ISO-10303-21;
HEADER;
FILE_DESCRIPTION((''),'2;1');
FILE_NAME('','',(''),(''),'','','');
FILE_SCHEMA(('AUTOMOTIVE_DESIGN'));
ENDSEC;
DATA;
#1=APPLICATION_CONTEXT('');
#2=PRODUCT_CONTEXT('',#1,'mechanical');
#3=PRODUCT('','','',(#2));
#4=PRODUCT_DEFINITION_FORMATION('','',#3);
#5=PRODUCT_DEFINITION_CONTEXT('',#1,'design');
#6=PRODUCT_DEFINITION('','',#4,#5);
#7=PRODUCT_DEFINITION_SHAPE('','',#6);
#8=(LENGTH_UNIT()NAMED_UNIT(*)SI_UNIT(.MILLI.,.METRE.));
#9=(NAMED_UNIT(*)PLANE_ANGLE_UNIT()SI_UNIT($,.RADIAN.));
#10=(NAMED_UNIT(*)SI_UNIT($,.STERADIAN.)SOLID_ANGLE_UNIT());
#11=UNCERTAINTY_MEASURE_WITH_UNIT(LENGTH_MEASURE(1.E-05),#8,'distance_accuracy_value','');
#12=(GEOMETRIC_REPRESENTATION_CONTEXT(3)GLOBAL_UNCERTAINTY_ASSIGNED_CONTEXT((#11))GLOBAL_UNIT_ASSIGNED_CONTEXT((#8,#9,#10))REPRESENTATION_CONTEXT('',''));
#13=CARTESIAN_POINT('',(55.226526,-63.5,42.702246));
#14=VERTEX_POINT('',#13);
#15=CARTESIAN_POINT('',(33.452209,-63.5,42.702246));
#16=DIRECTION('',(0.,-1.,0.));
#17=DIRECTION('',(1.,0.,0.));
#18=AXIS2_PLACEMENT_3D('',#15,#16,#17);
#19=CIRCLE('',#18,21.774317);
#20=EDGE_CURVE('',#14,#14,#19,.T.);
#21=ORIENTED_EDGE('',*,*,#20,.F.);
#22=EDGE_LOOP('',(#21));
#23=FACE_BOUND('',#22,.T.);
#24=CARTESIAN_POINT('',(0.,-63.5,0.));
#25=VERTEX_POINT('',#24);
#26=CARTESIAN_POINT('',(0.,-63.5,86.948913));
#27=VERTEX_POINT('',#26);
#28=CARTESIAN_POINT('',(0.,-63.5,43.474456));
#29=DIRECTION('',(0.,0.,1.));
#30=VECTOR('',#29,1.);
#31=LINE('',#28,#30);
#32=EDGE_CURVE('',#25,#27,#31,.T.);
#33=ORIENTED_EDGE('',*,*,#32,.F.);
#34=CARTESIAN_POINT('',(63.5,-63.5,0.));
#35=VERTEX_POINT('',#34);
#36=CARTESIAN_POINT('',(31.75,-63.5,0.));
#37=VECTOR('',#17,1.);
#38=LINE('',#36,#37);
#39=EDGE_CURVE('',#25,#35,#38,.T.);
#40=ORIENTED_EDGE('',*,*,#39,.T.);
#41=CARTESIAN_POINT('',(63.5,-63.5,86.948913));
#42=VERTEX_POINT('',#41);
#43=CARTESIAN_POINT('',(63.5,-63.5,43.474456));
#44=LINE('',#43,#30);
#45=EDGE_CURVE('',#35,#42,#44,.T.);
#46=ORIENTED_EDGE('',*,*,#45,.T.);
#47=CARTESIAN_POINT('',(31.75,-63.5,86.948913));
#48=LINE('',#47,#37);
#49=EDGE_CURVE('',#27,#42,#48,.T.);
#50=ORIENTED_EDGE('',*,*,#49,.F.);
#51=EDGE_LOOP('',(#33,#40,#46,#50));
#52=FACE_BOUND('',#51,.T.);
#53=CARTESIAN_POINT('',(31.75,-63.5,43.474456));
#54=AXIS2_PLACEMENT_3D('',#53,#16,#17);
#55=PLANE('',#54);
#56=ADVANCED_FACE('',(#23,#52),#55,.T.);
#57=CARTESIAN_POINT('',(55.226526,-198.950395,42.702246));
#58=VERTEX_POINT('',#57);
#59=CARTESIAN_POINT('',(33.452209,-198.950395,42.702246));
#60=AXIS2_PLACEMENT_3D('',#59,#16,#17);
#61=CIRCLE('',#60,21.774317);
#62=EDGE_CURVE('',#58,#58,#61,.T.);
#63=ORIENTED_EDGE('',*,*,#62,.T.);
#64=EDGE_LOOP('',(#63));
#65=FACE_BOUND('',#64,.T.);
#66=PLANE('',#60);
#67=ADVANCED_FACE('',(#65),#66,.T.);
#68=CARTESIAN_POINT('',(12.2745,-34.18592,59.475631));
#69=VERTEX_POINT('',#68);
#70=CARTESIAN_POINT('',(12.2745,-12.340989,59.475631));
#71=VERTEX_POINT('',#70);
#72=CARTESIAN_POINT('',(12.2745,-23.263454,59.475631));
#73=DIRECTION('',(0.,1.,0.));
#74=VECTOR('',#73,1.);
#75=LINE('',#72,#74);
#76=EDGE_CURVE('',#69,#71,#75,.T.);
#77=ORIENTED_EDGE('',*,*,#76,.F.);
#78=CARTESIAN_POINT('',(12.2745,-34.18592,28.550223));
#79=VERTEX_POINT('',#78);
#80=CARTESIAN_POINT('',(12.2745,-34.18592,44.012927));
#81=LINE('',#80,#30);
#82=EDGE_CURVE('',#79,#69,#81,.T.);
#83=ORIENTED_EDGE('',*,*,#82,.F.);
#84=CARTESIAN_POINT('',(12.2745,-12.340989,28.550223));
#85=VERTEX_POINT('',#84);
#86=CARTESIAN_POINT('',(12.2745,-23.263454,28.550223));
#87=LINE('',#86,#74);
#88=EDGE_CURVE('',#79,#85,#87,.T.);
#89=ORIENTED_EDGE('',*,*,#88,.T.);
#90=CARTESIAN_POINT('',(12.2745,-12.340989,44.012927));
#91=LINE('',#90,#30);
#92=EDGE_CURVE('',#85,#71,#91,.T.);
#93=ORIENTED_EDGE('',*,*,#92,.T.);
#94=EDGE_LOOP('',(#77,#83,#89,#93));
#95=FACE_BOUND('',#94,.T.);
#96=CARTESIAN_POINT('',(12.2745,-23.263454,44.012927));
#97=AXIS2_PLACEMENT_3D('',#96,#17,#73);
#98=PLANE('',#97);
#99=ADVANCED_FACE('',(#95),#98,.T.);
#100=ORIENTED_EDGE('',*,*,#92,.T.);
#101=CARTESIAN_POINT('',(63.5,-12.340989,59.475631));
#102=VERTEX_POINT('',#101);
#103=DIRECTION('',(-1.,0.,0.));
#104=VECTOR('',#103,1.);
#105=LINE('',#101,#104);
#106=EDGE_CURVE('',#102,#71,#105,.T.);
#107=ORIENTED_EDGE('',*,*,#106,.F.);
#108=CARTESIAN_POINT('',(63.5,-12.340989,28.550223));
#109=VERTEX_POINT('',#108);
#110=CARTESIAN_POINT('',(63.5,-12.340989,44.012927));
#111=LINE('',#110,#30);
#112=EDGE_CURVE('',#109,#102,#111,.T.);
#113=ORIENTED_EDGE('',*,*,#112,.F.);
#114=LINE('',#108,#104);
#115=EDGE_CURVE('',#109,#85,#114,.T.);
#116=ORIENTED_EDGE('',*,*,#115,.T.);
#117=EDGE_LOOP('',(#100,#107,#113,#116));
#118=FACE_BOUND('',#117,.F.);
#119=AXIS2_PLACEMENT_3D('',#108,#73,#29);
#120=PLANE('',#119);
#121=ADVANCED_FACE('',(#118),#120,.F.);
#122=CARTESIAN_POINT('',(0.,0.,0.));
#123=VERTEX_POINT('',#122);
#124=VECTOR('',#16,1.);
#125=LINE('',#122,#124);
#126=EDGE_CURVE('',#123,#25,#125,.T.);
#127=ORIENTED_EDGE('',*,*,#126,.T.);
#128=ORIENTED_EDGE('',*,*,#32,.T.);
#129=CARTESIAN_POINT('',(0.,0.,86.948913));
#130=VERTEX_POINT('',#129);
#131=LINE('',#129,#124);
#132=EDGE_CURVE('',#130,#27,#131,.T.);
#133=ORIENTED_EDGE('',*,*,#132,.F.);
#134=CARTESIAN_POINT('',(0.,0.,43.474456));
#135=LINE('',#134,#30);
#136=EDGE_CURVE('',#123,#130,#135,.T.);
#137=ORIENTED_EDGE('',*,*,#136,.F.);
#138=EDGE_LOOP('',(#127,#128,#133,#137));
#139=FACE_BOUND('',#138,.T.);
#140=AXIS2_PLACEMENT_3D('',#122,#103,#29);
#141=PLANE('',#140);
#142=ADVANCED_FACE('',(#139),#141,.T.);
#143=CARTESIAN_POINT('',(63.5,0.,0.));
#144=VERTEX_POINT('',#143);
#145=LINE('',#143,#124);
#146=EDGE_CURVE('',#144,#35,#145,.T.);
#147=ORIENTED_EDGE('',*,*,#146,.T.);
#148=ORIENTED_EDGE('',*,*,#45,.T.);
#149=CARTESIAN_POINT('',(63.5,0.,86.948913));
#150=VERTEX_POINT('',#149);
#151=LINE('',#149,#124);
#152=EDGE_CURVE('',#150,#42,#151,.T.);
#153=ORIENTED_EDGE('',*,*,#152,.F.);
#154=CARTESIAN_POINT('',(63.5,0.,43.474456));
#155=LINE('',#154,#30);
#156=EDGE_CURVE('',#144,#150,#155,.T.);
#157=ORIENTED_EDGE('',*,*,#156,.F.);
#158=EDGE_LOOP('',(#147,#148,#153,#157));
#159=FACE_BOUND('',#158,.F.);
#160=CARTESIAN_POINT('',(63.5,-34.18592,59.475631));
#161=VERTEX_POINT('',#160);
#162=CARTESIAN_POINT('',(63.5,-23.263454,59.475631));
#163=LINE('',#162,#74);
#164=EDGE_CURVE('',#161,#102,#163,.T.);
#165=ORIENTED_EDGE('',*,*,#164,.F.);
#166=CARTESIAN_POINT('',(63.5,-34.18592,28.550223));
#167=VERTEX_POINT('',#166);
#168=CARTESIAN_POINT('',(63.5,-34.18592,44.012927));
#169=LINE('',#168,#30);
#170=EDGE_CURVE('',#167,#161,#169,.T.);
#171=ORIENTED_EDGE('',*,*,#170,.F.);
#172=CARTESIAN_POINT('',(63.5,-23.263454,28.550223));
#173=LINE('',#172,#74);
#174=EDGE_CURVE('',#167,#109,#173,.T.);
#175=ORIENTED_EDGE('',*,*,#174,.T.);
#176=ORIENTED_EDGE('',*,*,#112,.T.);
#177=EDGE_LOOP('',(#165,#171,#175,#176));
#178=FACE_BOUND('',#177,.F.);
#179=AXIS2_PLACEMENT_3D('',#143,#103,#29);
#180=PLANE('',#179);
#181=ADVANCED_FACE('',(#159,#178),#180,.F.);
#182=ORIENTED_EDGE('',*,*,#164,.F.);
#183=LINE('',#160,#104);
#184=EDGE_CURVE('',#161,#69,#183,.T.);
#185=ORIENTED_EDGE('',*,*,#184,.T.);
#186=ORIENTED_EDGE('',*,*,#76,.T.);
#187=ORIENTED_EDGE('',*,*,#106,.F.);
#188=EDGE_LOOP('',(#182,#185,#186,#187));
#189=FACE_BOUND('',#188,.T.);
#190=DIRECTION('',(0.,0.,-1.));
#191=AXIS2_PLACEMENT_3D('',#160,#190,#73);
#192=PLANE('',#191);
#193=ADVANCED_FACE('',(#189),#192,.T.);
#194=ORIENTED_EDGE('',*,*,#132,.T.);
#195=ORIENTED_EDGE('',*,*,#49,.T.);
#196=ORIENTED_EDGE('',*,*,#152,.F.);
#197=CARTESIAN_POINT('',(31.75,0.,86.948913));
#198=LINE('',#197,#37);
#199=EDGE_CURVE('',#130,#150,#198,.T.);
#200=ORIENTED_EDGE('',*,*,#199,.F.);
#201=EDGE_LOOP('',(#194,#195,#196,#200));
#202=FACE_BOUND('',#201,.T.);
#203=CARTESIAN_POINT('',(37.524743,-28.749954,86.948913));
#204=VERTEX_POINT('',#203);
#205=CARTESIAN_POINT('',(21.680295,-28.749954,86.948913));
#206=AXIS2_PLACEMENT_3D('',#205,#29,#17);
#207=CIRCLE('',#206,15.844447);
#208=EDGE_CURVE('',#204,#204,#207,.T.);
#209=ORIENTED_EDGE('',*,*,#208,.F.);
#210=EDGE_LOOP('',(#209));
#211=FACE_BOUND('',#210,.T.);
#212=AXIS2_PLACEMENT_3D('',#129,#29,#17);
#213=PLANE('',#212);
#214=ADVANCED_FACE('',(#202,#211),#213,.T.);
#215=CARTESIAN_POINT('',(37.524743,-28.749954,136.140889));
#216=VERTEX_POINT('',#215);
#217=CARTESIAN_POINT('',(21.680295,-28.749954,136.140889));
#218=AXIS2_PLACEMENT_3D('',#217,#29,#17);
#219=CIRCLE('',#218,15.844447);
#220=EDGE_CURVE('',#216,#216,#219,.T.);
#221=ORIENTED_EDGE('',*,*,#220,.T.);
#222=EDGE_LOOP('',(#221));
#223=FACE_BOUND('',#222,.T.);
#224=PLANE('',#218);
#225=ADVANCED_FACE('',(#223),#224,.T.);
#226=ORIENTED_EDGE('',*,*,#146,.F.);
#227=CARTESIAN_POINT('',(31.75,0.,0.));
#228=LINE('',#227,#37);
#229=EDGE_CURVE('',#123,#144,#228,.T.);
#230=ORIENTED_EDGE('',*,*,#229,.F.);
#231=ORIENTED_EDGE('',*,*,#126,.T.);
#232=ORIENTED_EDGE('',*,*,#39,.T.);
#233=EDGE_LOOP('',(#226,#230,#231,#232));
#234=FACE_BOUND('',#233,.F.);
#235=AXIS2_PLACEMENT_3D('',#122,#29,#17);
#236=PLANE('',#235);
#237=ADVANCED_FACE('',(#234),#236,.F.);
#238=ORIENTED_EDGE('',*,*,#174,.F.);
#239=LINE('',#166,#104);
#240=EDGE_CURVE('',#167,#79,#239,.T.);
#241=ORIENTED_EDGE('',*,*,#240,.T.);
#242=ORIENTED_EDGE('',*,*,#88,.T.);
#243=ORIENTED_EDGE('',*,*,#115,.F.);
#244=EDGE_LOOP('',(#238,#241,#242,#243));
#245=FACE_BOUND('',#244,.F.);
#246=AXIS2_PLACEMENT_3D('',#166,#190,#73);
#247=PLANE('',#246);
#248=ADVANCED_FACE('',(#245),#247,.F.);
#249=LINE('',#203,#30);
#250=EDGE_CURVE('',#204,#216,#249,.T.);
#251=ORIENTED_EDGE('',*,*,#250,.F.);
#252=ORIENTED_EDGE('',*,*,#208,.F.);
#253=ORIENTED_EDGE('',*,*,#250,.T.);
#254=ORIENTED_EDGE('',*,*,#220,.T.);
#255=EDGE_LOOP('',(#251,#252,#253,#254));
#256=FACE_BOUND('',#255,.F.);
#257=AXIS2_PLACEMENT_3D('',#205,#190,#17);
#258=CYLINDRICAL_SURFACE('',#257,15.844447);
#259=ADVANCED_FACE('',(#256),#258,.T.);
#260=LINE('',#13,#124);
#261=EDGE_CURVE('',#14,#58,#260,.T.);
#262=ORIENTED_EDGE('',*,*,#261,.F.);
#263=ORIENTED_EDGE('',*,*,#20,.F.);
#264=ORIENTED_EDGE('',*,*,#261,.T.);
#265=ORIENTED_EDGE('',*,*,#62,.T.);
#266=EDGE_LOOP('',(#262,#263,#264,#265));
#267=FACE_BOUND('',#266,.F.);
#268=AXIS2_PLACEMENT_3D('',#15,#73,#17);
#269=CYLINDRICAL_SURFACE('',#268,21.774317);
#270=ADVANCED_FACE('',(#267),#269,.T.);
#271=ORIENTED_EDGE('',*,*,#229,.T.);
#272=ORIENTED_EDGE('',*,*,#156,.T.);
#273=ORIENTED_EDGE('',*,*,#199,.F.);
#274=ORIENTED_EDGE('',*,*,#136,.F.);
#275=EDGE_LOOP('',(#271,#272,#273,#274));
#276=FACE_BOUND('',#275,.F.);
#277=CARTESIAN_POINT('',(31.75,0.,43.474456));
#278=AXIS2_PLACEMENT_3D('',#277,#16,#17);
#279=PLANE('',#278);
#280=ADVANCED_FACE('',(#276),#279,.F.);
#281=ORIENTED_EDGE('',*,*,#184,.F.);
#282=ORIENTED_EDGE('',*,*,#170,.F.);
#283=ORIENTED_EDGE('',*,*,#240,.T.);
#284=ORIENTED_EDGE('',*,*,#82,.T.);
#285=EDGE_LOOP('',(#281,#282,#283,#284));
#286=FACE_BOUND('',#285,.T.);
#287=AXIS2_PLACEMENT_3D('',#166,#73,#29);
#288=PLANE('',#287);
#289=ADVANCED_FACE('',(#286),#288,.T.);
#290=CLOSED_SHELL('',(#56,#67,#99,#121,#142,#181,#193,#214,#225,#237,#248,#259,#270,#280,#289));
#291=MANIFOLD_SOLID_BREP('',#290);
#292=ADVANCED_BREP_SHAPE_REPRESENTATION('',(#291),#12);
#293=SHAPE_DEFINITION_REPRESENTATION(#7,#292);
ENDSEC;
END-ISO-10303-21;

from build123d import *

# Parameters (mm, degrees)
F0_W     = 63.5
F0_H     = 86.9489126992
F1_DEPTH = 63.5
F2_R     = 15.8444471424
F3_DEPTH = 49.1919759661
F4_W     = 21.8449309468
F4_H     = 30.9254080057
F5_DEPTH = 51.2255001813
F6_R     = 21.7743168909
F7_DEPTH = 135.4503948241


with BuildPart() as f1:
    # F0 (on Front) → F1 (new body)
    with BuildSketch(Plane.XZ):
        with Locations((31.75, 43.4744563496)):
            Rectangle(F0_W, F0_H)
    extrude(amount=F1_DEPTH)

    # F2 (on face) → F3 (join)
    with BuildSketch(Plane.XY.offset(86.9489126992)):
        with Locations((21.6802954674, -28.7499539554)):
            Circle(F2_R)
    extrude(amount=F3_DEPTH)

    # F4 (on face) → F5 (cut)
    with BuildSketch(Plane.YZ.offset(63.5)):
        with Locations((-23.2634544373, 44.0129265189)):
            Rectangle(F4_W, F4_H)
    extrude(amount=-F5_DEPTH, mode=Mode.SUBTRACT)

    # F6 (on face) → F7 (join)
    with BuildSketch(Plane.XZ.offset(63.5)):
        with Locations((33.4522090852, 42.7022464573)):
            Circle(F6_R)
    extrude(amount=F7_DEPTH)


solid = f1.part
